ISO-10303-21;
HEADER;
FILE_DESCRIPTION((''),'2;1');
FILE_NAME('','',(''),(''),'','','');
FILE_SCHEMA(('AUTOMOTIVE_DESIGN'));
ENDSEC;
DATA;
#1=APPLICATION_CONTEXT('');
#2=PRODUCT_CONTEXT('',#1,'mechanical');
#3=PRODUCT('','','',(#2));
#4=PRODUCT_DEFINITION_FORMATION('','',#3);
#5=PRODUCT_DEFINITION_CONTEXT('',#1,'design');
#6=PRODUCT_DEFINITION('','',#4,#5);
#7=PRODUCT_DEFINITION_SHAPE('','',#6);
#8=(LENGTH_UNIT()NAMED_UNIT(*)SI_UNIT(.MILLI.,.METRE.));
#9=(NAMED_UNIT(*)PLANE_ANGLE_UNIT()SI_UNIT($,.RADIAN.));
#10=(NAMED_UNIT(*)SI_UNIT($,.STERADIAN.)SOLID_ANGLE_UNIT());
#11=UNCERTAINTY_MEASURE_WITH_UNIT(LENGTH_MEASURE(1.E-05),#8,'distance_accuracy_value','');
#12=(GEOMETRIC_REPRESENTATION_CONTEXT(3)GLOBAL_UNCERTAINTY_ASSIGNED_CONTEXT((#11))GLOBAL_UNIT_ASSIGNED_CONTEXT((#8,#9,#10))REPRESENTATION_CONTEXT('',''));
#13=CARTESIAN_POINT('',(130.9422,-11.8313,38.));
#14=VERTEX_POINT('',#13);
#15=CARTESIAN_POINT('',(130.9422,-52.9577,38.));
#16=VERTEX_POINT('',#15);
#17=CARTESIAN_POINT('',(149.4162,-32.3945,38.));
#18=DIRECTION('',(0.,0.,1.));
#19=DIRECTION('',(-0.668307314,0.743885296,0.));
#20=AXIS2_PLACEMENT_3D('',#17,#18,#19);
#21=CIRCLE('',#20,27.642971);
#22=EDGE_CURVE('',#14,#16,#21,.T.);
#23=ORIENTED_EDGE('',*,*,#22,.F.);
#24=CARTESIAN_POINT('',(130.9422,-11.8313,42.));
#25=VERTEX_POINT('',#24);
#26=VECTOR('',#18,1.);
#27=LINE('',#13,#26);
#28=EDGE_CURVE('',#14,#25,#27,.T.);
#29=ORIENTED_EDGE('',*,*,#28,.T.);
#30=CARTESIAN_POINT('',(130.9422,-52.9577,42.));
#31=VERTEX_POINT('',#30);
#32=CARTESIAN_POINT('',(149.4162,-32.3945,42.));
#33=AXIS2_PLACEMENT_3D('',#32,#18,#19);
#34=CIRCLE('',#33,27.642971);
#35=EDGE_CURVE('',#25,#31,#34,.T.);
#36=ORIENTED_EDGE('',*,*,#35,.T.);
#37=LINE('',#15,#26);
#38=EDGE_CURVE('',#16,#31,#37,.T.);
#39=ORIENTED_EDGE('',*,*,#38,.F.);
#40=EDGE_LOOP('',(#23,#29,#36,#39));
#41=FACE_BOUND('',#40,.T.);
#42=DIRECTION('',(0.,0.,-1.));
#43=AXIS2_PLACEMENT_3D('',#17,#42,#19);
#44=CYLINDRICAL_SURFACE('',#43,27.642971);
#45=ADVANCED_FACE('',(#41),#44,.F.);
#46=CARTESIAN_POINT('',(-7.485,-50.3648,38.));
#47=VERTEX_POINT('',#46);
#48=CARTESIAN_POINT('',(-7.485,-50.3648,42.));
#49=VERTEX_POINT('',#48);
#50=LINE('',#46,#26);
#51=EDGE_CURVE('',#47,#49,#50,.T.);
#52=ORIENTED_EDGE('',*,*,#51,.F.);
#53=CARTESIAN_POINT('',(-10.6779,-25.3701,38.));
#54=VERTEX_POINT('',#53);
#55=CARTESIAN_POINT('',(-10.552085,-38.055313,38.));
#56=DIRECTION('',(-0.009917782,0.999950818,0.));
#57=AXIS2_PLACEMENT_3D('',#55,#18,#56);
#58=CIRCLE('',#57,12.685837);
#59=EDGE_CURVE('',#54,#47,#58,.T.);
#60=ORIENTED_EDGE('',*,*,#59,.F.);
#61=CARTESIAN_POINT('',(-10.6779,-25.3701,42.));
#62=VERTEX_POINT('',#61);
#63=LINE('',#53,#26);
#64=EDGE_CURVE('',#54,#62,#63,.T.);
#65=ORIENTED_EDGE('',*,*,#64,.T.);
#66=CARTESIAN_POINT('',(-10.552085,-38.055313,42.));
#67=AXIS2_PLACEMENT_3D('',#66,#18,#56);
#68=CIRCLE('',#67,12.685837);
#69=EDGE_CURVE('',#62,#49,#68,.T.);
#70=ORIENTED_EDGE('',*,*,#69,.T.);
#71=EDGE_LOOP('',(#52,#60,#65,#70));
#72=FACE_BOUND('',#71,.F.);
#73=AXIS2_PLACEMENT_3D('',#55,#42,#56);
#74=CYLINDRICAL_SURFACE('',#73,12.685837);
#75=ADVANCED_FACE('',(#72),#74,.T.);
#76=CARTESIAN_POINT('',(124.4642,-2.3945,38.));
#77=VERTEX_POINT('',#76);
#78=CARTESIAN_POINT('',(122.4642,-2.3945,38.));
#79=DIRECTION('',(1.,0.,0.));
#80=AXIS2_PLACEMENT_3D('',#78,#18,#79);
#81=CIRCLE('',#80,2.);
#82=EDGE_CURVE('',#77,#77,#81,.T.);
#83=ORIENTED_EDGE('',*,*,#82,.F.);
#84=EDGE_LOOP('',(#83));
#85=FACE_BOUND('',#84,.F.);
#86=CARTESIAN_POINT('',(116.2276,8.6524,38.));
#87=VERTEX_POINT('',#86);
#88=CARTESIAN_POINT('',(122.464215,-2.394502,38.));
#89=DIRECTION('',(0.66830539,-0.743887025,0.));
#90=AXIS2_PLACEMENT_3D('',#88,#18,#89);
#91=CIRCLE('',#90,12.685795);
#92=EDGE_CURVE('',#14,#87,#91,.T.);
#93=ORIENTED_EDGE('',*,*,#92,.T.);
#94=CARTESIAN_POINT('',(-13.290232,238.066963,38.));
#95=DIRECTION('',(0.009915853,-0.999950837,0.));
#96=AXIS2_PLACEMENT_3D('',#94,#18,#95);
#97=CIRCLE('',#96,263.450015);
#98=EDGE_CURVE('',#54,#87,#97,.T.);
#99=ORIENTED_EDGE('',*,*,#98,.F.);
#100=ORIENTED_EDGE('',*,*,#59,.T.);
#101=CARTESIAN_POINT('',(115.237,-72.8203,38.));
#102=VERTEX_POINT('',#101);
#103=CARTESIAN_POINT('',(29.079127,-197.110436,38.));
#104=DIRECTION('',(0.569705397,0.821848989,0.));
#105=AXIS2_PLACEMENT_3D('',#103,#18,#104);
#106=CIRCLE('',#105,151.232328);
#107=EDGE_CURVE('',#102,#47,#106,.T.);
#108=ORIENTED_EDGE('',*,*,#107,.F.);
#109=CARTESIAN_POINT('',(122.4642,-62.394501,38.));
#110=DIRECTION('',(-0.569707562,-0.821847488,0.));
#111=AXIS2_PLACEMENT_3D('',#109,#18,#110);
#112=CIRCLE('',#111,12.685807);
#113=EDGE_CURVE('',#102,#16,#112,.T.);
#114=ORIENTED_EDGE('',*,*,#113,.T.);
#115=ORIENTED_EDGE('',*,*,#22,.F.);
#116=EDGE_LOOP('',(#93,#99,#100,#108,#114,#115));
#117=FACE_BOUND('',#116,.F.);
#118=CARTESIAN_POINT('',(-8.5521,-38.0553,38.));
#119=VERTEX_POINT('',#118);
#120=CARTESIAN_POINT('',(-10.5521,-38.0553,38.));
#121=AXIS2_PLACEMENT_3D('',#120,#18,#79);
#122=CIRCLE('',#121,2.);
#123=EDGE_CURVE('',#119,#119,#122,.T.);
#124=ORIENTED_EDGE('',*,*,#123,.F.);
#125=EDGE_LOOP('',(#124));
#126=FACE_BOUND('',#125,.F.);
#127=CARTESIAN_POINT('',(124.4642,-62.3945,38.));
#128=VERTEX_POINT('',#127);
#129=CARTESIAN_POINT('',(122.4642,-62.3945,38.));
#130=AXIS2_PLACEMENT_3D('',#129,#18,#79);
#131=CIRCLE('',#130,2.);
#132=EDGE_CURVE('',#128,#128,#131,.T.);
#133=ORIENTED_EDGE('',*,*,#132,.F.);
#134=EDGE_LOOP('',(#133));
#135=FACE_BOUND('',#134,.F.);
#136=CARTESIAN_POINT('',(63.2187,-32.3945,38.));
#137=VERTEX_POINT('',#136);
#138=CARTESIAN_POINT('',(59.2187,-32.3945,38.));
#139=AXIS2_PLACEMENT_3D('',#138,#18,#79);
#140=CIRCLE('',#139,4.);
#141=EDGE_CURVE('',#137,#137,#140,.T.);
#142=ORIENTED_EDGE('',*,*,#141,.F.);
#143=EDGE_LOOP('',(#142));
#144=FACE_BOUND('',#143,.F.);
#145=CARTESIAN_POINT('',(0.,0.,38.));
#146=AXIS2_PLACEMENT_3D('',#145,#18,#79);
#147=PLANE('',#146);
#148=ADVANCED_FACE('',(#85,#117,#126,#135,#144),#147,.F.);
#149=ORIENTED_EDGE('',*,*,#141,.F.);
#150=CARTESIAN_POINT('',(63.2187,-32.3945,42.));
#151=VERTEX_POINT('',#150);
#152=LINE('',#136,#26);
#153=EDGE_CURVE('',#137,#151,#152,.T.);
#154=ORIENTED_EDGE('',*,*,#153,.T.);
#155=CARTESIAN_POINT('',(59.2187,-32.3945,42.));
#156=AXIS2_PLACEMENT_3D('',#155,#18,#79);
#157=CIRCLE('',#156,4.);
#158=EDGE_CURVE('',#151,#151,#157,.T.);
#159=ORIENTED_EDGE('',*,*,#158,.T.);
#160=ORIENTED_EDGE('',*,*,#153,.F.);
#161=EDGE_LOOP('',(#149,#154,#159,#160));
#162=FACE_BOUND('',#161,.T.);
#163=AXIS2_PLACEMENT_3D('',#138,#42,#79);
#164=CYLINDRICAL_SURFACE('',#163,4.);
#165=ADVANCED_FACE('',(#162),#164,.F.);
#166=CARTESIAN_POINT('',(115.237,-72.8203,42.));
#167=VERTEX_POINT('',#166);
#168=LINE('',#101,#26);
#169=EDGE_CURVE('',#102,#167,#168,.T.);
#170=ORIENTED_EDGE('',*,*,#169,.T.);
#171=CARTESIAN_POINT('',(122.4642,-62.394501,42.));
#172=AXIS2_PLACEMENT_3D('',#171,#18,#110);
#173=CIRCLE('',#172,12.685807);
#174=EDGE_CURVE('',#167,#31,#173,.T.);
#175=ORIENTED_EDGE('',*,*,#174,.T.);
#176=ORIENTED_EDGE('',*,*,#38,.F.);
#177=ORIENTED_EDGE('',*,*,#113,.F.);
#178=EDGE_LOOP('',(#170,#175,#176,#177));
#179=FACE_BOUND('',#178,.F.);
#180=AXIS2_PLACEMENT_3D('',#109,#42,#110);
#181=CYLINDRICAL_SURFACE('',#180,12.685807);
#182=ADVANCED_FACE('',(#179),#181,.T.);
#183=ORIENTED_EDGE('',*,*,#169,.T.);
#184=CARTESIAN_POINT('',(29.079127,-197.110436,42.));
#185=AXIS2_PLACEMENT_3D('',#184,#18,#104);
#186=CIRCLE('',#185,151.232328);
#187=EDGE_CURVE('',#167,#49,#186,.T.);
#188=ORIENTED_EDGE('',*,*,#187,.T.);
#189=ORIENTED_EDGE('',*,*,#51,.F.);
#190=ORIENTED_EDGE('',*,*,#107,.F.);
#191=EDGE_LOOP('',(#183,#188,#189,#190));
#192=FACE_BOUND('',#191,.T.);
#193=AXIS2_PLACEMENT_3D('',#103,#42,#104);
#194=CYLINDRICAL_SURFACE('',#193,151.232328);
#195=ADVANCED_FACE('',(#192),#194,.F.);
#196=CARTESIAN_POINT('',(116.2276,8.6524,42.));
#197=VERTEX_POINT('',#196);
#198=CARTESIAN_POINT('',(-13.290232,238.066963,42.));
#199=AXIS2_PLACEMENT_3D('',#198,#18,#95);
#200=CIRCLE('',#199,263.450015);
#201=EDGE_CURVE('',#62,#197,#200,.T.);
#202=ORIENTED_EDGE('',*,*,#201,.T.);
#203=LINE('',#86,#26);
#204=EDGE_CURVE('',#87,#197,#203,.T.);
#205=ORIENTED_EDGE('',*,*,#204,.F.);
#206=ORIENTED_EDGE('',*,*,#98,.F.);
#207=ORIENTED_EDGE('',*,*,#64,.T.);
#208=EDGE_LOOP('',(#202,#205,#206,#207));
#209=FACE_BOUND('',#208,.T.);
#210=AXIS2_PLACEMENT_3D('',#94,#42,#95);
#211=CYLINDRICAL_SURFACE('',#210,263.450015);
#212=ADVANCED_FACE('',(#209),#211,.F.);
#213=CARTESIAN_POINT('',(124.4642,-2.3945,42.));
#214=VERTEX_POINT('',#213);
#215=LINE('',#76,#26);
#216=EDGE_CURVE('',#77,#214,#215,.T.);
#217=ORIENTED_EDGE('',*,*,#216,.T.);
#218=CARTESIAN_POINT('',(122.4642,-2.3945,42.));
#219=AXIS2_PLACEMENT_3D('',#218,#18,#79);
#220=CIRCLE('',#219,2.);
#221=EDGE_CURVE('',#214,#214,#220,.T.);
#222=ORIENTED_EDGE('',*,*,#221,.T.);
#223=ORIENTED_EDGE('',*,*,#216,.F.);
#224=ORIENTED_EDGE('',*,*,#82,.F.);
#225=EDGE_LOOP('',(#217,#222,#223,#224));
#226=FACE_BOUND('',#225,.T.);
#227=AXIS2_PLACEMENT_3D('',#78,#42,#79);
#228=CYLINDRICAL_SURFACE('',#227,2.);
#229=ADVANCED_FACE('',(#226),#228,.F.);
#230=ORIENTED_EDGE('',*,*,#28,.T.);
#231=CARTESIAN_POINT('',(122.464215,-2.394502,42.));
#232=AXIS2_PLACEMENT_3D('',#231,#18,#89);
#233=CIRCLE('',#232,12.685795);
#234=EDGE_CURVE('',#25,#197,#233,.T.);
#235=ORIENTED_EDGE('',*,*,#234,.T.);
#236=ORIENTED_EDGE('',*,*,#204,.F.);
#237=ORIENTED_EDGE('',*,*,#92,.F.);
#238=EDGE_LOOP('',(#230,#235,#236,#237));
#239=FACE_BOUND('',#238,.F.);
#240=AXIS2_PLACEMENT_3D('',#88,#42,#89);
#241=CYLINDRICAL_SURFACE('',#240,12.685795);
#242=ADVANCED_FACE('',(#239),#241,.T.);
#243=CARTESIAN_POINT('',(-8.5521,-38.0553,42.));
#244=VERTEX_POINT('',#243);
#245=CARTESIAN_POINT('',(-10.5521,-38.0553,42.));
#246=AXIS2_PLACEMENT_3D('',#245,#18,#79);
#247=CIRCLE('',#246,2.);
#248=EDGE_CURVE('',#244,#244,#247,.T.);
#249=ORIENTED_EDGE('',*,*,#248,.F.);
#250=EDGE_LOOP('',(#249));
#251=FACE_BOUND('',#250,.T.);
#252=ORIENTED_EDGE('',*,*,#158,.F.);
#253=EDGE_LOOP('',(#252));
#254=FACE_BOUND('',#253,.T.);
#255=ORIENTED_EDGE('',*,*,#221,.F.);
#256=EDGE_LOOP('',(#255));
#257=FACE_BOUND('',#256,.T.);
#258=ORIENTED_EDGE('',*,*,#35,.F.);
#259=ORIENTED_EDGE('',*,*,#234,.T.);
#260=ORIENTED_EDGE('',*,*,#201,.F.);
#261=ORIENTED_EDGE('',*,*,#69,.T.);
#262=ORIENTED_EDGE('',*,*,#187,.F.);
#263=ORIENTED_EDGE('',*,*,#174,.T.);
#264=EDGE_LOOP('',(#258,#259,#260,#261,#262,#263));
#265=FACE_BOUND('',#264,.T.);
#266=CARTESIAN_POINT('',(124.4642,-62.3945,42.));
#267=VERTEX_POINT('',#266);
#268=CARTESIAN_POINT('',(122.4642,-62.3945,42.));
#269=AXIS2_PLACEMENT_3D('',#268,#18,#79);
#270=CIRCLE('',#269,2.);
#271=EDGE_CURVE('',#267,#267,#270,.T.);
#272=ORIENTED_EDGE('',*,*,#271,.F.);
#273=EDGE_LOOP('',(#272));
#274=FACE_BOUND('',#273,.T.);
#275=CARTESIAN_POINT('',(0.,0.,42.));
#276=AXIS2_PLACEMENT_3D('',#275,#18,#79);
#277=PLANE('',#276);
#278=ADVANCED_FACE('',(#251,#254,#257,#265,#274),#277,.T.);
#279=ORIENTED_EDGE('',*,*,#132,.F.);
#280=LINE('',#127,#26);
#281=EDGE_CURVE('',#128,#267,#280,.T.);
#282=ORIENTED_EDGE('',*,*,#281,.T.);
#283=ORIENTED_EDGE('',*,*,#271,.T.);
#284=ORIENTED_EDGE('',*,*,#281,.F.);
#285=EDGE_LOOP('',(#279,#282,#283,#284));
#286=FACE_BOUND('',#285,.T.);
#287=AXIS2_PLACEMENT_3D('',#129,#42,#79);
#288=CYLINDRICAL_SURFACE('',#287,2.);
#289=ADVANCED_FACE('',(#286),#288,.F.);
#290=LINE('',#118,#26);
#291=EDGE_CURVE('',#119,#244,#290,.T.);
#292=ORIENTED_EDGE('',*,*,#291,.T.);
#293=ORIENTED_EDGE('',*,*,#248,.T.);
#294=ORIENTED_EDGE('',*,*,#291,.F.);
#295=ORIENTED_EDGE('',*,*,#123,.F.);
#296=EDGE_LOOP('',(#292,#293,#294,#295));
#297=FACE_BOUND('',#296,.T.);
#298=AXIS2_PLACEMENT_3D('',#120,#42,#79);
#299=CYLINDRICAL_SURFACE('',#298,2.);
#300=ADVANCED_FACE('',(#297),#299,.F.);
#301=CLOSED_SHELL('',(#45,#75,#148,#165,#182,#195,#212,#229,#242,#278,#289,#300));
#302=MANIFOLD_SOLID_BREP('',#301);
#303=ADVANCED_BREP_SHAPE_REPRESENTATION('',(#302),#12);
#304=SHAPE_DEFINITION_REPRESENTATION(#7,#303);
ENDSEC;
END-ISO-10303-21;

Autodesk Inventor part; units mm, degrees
ref_plane "YZ Plane" through (0, 0, 0) normal (1, 0, 0) x (0, 1, 0)
ref_plane "XZ Plane" through (0, 0, 0) normal (0, 1, 0) x (-1, 0, 0)
sketch "Boceto1" plane through (0, 0, 0) normal (0, 0, 1) x (1, 0, 0)
  circle A0 centre (0, 0) radius 3.175
  circle A1 centre (0, 0) radius 10 construction
  circle A2 centre (59.2187, -32.3945) radius 57.5 construction
  line L0 (28.2, 28.2) -> (-28.2, 28.2) construction
  line L1 (-28.2, 28.2) -> (-28.2, -28.2) construction
  line L2 (-28.2, -28.2) -> (28.2, -28.2) construction
  line L3 (28.2, -28.2) -> (28.2, 28.2) construction
  line L4 (-2.7639, 9.6105) -> (43.3262, 22.8657) construction
  line L5 (4.1137, -48.8168) -> (-9.5835, -2.8561) construction
  circle A3 centre (0, 0) radius 20
  line L6 (-29.9105, -43.3945) -> (170.0895, -43.3945) construction
  line L7 (170.0895, -43.3945) -> (170.0895, -85.3945) construction
  line L8 (170.0895, -85.3945) -> (-29.9105, -85.3945) construction
  line L9 (-29.9105, -85.3945) -> (-29.9105, -43.3945) construction
  circle A4 centre (59.2187, -32.3945) radius 4
  line L10 (-21.8022, 18.2667) -> (-28.8733, 25.3378)
  arc A5 (-25.3378, 28.8733) -> (-28.8733, 25.3378) centre (-27.1055, 27.1055) ccw
  line L11 (-25.3378, 28.8733) -> (-18.2667, 21.8022)
  arc A6 (-21.8022, 18.2667) -> (-18.2667, 21.8022) centre (-20.0345, 20.0345) ccw
  line L12 (21.8022, -18.2667) -> (28.8733, -25.3378)
  arc A7 (25.3378, -28.8733) -> (28.8733, -25.3378) centre (27.1055, -27.1055) ccw
  line L13 (25.3378, -28.8733) -> (18.2667, -21.8022)
  arc A8 (21.8022, -18.2667) -> (18.2667, -21.8022) centre (20.0345, -20.0345) ccw
  line L14 (-18.2667, -21.8022) -> (-25.3378, -28.8733)
  arc A9 (-28.8733, -25.3378) -> (-25.3378, -28.8733) centre (-27.1055, -27.1055) ccw
  line L15 (-28.8733, -25.3378) -> (-21.8022, -18.2667)
  arc A10 (-18.2667, -21.8022) -> (-21.8022, -18.2667) centre (-20.0345, -20.0345) ccw
  line L16 (18.2667, 21.8022) -> (25.3378, 28.8733)
  arc A11 (28.8733, 25.3378) -> (25.3378, 28.8733) centre (27.1055, 27.1055) ccw
  line L17 (28.8733, 25.3378) -> (21.8022, 18.2667)
  arc A12 (18.2667, 21.8022) -> (21.8022, 18.2667) centre (20.0345, 20.0345) ccw
  line L18 (-20.0345, 20.0345) -> (-27.1055, 27.1055) construction
  line L19 (20.0345, 20.0345) -> (27.1055, 27.1055) construction
  line L20 (-43.0653, -32.3945) -> (161.5026, -32.3945) construction
  circle A13 centre (122.4642, -2.3945) radius 2
  circle A14 centre (122.4642, -62.3945) radius 2
  circle A15 centre (122.4642, -2.3945) radius 12.5 construction
  circle A16 centre (59.2187, -32.3945) radius 30 construction
  line L21 (119.864, -14.621) -> (65.4592, -3.0507) construction
  line L22 (-39.9105, 39.6055) -> (180.0895, 39.6055)
  line L23 (180.0895, 39.6055) -> (180.0895, -90.3945)
  line L24 (180.0895, -90.3945) -> (-39.9105, -90.3945)
  line L25 (-39.9105, -90.3945) -> (-39.9105, 39.6055)
  circle A17 centre (-10.5521, -38.0553) radius 2
  circle A18 centre (-10.5521, -38.0553) radius 12.5 construction
  circle A19 centre (59.2187, -32.3945) radius 11 construction
  point P0 (-28.2, 0)
  point P1 (0, -28.2)
  point P2 (70.0895, -90.3945)
  point P3 (70.0895, -85.3945)
  dimension "d15" = 25
  dimension "d17" = 60
  dimension "d0" = 6.35
  dimension "d1" = 56.4
  dimension "d2" = 67.5
  dimension "d3" = 40
  dimension "d4" = 200
  dimension "d5" = 42
  dimension "d6" = 8
  dimension "d7" = 3.0945
  dimension "d8" = 5
  dimension "d9" = 40.0689
  dimension "d10" = 10
  dimension "d11" = 54.2111
  dimension "d12" = 7.0711
  dimension "d13" = 4
  dimension "d14" = 115
  dimension "d16" = 60
  dimension "d18" = 5
  dimension "d19" = 10
  dimension "d20" = 22
  dimension "d21" = 130
  dimension "d22" = 10
ref_plane "Plano de trabajo1" through (0, 0, 38) normal (0, 0, 1) x (1, 0, 0)
sketch "Boceto2" plane through (0, 0, 38) normal (0, 0, 1) x (1, 0, 0)
  circle A0 centre (-10.5521, -38.0553) radius 2 projected
  circle A1 centre (122.4642, -2.3945) radius 2 projected
  circle A2 centre (122.4642, -62.3945) radius 2 projected
  circle A3 centre (59.2187, -32.3945) radius 4 projected
  arc A4 (130.9422, -11.8313) -> (116.2276, 8.6524) centre (122.4642, -2.3945) ccw
  arc A5 (115.237, -72.8203) -> (130.9422, -52.9577) centre (122.4642, -62.3945) ccw
  arc A6 (130.9422, -11.8313) -> (130.9422, -52.9577) centre (149.4162, -32.3945) ccw
  arc A7 (-10.6779, -25.3701) -> (-7.485, -50.3648) centre (-10.5521, -38.0553) ccw
  arc A8 (-10.6779, -25.3701) -> (116.2276, 8.6524) centre (-13.2901, 238.066) ccw
  arc A9 (115.237, -72.8203) -> (-7.485, -50.3648) centre (29.0791, -197.1105) ccw
  point P0 (0, 0)
extrude "Extrusión1" add sketch "Boceto2" along normal blind 4
properties part number "case A"
